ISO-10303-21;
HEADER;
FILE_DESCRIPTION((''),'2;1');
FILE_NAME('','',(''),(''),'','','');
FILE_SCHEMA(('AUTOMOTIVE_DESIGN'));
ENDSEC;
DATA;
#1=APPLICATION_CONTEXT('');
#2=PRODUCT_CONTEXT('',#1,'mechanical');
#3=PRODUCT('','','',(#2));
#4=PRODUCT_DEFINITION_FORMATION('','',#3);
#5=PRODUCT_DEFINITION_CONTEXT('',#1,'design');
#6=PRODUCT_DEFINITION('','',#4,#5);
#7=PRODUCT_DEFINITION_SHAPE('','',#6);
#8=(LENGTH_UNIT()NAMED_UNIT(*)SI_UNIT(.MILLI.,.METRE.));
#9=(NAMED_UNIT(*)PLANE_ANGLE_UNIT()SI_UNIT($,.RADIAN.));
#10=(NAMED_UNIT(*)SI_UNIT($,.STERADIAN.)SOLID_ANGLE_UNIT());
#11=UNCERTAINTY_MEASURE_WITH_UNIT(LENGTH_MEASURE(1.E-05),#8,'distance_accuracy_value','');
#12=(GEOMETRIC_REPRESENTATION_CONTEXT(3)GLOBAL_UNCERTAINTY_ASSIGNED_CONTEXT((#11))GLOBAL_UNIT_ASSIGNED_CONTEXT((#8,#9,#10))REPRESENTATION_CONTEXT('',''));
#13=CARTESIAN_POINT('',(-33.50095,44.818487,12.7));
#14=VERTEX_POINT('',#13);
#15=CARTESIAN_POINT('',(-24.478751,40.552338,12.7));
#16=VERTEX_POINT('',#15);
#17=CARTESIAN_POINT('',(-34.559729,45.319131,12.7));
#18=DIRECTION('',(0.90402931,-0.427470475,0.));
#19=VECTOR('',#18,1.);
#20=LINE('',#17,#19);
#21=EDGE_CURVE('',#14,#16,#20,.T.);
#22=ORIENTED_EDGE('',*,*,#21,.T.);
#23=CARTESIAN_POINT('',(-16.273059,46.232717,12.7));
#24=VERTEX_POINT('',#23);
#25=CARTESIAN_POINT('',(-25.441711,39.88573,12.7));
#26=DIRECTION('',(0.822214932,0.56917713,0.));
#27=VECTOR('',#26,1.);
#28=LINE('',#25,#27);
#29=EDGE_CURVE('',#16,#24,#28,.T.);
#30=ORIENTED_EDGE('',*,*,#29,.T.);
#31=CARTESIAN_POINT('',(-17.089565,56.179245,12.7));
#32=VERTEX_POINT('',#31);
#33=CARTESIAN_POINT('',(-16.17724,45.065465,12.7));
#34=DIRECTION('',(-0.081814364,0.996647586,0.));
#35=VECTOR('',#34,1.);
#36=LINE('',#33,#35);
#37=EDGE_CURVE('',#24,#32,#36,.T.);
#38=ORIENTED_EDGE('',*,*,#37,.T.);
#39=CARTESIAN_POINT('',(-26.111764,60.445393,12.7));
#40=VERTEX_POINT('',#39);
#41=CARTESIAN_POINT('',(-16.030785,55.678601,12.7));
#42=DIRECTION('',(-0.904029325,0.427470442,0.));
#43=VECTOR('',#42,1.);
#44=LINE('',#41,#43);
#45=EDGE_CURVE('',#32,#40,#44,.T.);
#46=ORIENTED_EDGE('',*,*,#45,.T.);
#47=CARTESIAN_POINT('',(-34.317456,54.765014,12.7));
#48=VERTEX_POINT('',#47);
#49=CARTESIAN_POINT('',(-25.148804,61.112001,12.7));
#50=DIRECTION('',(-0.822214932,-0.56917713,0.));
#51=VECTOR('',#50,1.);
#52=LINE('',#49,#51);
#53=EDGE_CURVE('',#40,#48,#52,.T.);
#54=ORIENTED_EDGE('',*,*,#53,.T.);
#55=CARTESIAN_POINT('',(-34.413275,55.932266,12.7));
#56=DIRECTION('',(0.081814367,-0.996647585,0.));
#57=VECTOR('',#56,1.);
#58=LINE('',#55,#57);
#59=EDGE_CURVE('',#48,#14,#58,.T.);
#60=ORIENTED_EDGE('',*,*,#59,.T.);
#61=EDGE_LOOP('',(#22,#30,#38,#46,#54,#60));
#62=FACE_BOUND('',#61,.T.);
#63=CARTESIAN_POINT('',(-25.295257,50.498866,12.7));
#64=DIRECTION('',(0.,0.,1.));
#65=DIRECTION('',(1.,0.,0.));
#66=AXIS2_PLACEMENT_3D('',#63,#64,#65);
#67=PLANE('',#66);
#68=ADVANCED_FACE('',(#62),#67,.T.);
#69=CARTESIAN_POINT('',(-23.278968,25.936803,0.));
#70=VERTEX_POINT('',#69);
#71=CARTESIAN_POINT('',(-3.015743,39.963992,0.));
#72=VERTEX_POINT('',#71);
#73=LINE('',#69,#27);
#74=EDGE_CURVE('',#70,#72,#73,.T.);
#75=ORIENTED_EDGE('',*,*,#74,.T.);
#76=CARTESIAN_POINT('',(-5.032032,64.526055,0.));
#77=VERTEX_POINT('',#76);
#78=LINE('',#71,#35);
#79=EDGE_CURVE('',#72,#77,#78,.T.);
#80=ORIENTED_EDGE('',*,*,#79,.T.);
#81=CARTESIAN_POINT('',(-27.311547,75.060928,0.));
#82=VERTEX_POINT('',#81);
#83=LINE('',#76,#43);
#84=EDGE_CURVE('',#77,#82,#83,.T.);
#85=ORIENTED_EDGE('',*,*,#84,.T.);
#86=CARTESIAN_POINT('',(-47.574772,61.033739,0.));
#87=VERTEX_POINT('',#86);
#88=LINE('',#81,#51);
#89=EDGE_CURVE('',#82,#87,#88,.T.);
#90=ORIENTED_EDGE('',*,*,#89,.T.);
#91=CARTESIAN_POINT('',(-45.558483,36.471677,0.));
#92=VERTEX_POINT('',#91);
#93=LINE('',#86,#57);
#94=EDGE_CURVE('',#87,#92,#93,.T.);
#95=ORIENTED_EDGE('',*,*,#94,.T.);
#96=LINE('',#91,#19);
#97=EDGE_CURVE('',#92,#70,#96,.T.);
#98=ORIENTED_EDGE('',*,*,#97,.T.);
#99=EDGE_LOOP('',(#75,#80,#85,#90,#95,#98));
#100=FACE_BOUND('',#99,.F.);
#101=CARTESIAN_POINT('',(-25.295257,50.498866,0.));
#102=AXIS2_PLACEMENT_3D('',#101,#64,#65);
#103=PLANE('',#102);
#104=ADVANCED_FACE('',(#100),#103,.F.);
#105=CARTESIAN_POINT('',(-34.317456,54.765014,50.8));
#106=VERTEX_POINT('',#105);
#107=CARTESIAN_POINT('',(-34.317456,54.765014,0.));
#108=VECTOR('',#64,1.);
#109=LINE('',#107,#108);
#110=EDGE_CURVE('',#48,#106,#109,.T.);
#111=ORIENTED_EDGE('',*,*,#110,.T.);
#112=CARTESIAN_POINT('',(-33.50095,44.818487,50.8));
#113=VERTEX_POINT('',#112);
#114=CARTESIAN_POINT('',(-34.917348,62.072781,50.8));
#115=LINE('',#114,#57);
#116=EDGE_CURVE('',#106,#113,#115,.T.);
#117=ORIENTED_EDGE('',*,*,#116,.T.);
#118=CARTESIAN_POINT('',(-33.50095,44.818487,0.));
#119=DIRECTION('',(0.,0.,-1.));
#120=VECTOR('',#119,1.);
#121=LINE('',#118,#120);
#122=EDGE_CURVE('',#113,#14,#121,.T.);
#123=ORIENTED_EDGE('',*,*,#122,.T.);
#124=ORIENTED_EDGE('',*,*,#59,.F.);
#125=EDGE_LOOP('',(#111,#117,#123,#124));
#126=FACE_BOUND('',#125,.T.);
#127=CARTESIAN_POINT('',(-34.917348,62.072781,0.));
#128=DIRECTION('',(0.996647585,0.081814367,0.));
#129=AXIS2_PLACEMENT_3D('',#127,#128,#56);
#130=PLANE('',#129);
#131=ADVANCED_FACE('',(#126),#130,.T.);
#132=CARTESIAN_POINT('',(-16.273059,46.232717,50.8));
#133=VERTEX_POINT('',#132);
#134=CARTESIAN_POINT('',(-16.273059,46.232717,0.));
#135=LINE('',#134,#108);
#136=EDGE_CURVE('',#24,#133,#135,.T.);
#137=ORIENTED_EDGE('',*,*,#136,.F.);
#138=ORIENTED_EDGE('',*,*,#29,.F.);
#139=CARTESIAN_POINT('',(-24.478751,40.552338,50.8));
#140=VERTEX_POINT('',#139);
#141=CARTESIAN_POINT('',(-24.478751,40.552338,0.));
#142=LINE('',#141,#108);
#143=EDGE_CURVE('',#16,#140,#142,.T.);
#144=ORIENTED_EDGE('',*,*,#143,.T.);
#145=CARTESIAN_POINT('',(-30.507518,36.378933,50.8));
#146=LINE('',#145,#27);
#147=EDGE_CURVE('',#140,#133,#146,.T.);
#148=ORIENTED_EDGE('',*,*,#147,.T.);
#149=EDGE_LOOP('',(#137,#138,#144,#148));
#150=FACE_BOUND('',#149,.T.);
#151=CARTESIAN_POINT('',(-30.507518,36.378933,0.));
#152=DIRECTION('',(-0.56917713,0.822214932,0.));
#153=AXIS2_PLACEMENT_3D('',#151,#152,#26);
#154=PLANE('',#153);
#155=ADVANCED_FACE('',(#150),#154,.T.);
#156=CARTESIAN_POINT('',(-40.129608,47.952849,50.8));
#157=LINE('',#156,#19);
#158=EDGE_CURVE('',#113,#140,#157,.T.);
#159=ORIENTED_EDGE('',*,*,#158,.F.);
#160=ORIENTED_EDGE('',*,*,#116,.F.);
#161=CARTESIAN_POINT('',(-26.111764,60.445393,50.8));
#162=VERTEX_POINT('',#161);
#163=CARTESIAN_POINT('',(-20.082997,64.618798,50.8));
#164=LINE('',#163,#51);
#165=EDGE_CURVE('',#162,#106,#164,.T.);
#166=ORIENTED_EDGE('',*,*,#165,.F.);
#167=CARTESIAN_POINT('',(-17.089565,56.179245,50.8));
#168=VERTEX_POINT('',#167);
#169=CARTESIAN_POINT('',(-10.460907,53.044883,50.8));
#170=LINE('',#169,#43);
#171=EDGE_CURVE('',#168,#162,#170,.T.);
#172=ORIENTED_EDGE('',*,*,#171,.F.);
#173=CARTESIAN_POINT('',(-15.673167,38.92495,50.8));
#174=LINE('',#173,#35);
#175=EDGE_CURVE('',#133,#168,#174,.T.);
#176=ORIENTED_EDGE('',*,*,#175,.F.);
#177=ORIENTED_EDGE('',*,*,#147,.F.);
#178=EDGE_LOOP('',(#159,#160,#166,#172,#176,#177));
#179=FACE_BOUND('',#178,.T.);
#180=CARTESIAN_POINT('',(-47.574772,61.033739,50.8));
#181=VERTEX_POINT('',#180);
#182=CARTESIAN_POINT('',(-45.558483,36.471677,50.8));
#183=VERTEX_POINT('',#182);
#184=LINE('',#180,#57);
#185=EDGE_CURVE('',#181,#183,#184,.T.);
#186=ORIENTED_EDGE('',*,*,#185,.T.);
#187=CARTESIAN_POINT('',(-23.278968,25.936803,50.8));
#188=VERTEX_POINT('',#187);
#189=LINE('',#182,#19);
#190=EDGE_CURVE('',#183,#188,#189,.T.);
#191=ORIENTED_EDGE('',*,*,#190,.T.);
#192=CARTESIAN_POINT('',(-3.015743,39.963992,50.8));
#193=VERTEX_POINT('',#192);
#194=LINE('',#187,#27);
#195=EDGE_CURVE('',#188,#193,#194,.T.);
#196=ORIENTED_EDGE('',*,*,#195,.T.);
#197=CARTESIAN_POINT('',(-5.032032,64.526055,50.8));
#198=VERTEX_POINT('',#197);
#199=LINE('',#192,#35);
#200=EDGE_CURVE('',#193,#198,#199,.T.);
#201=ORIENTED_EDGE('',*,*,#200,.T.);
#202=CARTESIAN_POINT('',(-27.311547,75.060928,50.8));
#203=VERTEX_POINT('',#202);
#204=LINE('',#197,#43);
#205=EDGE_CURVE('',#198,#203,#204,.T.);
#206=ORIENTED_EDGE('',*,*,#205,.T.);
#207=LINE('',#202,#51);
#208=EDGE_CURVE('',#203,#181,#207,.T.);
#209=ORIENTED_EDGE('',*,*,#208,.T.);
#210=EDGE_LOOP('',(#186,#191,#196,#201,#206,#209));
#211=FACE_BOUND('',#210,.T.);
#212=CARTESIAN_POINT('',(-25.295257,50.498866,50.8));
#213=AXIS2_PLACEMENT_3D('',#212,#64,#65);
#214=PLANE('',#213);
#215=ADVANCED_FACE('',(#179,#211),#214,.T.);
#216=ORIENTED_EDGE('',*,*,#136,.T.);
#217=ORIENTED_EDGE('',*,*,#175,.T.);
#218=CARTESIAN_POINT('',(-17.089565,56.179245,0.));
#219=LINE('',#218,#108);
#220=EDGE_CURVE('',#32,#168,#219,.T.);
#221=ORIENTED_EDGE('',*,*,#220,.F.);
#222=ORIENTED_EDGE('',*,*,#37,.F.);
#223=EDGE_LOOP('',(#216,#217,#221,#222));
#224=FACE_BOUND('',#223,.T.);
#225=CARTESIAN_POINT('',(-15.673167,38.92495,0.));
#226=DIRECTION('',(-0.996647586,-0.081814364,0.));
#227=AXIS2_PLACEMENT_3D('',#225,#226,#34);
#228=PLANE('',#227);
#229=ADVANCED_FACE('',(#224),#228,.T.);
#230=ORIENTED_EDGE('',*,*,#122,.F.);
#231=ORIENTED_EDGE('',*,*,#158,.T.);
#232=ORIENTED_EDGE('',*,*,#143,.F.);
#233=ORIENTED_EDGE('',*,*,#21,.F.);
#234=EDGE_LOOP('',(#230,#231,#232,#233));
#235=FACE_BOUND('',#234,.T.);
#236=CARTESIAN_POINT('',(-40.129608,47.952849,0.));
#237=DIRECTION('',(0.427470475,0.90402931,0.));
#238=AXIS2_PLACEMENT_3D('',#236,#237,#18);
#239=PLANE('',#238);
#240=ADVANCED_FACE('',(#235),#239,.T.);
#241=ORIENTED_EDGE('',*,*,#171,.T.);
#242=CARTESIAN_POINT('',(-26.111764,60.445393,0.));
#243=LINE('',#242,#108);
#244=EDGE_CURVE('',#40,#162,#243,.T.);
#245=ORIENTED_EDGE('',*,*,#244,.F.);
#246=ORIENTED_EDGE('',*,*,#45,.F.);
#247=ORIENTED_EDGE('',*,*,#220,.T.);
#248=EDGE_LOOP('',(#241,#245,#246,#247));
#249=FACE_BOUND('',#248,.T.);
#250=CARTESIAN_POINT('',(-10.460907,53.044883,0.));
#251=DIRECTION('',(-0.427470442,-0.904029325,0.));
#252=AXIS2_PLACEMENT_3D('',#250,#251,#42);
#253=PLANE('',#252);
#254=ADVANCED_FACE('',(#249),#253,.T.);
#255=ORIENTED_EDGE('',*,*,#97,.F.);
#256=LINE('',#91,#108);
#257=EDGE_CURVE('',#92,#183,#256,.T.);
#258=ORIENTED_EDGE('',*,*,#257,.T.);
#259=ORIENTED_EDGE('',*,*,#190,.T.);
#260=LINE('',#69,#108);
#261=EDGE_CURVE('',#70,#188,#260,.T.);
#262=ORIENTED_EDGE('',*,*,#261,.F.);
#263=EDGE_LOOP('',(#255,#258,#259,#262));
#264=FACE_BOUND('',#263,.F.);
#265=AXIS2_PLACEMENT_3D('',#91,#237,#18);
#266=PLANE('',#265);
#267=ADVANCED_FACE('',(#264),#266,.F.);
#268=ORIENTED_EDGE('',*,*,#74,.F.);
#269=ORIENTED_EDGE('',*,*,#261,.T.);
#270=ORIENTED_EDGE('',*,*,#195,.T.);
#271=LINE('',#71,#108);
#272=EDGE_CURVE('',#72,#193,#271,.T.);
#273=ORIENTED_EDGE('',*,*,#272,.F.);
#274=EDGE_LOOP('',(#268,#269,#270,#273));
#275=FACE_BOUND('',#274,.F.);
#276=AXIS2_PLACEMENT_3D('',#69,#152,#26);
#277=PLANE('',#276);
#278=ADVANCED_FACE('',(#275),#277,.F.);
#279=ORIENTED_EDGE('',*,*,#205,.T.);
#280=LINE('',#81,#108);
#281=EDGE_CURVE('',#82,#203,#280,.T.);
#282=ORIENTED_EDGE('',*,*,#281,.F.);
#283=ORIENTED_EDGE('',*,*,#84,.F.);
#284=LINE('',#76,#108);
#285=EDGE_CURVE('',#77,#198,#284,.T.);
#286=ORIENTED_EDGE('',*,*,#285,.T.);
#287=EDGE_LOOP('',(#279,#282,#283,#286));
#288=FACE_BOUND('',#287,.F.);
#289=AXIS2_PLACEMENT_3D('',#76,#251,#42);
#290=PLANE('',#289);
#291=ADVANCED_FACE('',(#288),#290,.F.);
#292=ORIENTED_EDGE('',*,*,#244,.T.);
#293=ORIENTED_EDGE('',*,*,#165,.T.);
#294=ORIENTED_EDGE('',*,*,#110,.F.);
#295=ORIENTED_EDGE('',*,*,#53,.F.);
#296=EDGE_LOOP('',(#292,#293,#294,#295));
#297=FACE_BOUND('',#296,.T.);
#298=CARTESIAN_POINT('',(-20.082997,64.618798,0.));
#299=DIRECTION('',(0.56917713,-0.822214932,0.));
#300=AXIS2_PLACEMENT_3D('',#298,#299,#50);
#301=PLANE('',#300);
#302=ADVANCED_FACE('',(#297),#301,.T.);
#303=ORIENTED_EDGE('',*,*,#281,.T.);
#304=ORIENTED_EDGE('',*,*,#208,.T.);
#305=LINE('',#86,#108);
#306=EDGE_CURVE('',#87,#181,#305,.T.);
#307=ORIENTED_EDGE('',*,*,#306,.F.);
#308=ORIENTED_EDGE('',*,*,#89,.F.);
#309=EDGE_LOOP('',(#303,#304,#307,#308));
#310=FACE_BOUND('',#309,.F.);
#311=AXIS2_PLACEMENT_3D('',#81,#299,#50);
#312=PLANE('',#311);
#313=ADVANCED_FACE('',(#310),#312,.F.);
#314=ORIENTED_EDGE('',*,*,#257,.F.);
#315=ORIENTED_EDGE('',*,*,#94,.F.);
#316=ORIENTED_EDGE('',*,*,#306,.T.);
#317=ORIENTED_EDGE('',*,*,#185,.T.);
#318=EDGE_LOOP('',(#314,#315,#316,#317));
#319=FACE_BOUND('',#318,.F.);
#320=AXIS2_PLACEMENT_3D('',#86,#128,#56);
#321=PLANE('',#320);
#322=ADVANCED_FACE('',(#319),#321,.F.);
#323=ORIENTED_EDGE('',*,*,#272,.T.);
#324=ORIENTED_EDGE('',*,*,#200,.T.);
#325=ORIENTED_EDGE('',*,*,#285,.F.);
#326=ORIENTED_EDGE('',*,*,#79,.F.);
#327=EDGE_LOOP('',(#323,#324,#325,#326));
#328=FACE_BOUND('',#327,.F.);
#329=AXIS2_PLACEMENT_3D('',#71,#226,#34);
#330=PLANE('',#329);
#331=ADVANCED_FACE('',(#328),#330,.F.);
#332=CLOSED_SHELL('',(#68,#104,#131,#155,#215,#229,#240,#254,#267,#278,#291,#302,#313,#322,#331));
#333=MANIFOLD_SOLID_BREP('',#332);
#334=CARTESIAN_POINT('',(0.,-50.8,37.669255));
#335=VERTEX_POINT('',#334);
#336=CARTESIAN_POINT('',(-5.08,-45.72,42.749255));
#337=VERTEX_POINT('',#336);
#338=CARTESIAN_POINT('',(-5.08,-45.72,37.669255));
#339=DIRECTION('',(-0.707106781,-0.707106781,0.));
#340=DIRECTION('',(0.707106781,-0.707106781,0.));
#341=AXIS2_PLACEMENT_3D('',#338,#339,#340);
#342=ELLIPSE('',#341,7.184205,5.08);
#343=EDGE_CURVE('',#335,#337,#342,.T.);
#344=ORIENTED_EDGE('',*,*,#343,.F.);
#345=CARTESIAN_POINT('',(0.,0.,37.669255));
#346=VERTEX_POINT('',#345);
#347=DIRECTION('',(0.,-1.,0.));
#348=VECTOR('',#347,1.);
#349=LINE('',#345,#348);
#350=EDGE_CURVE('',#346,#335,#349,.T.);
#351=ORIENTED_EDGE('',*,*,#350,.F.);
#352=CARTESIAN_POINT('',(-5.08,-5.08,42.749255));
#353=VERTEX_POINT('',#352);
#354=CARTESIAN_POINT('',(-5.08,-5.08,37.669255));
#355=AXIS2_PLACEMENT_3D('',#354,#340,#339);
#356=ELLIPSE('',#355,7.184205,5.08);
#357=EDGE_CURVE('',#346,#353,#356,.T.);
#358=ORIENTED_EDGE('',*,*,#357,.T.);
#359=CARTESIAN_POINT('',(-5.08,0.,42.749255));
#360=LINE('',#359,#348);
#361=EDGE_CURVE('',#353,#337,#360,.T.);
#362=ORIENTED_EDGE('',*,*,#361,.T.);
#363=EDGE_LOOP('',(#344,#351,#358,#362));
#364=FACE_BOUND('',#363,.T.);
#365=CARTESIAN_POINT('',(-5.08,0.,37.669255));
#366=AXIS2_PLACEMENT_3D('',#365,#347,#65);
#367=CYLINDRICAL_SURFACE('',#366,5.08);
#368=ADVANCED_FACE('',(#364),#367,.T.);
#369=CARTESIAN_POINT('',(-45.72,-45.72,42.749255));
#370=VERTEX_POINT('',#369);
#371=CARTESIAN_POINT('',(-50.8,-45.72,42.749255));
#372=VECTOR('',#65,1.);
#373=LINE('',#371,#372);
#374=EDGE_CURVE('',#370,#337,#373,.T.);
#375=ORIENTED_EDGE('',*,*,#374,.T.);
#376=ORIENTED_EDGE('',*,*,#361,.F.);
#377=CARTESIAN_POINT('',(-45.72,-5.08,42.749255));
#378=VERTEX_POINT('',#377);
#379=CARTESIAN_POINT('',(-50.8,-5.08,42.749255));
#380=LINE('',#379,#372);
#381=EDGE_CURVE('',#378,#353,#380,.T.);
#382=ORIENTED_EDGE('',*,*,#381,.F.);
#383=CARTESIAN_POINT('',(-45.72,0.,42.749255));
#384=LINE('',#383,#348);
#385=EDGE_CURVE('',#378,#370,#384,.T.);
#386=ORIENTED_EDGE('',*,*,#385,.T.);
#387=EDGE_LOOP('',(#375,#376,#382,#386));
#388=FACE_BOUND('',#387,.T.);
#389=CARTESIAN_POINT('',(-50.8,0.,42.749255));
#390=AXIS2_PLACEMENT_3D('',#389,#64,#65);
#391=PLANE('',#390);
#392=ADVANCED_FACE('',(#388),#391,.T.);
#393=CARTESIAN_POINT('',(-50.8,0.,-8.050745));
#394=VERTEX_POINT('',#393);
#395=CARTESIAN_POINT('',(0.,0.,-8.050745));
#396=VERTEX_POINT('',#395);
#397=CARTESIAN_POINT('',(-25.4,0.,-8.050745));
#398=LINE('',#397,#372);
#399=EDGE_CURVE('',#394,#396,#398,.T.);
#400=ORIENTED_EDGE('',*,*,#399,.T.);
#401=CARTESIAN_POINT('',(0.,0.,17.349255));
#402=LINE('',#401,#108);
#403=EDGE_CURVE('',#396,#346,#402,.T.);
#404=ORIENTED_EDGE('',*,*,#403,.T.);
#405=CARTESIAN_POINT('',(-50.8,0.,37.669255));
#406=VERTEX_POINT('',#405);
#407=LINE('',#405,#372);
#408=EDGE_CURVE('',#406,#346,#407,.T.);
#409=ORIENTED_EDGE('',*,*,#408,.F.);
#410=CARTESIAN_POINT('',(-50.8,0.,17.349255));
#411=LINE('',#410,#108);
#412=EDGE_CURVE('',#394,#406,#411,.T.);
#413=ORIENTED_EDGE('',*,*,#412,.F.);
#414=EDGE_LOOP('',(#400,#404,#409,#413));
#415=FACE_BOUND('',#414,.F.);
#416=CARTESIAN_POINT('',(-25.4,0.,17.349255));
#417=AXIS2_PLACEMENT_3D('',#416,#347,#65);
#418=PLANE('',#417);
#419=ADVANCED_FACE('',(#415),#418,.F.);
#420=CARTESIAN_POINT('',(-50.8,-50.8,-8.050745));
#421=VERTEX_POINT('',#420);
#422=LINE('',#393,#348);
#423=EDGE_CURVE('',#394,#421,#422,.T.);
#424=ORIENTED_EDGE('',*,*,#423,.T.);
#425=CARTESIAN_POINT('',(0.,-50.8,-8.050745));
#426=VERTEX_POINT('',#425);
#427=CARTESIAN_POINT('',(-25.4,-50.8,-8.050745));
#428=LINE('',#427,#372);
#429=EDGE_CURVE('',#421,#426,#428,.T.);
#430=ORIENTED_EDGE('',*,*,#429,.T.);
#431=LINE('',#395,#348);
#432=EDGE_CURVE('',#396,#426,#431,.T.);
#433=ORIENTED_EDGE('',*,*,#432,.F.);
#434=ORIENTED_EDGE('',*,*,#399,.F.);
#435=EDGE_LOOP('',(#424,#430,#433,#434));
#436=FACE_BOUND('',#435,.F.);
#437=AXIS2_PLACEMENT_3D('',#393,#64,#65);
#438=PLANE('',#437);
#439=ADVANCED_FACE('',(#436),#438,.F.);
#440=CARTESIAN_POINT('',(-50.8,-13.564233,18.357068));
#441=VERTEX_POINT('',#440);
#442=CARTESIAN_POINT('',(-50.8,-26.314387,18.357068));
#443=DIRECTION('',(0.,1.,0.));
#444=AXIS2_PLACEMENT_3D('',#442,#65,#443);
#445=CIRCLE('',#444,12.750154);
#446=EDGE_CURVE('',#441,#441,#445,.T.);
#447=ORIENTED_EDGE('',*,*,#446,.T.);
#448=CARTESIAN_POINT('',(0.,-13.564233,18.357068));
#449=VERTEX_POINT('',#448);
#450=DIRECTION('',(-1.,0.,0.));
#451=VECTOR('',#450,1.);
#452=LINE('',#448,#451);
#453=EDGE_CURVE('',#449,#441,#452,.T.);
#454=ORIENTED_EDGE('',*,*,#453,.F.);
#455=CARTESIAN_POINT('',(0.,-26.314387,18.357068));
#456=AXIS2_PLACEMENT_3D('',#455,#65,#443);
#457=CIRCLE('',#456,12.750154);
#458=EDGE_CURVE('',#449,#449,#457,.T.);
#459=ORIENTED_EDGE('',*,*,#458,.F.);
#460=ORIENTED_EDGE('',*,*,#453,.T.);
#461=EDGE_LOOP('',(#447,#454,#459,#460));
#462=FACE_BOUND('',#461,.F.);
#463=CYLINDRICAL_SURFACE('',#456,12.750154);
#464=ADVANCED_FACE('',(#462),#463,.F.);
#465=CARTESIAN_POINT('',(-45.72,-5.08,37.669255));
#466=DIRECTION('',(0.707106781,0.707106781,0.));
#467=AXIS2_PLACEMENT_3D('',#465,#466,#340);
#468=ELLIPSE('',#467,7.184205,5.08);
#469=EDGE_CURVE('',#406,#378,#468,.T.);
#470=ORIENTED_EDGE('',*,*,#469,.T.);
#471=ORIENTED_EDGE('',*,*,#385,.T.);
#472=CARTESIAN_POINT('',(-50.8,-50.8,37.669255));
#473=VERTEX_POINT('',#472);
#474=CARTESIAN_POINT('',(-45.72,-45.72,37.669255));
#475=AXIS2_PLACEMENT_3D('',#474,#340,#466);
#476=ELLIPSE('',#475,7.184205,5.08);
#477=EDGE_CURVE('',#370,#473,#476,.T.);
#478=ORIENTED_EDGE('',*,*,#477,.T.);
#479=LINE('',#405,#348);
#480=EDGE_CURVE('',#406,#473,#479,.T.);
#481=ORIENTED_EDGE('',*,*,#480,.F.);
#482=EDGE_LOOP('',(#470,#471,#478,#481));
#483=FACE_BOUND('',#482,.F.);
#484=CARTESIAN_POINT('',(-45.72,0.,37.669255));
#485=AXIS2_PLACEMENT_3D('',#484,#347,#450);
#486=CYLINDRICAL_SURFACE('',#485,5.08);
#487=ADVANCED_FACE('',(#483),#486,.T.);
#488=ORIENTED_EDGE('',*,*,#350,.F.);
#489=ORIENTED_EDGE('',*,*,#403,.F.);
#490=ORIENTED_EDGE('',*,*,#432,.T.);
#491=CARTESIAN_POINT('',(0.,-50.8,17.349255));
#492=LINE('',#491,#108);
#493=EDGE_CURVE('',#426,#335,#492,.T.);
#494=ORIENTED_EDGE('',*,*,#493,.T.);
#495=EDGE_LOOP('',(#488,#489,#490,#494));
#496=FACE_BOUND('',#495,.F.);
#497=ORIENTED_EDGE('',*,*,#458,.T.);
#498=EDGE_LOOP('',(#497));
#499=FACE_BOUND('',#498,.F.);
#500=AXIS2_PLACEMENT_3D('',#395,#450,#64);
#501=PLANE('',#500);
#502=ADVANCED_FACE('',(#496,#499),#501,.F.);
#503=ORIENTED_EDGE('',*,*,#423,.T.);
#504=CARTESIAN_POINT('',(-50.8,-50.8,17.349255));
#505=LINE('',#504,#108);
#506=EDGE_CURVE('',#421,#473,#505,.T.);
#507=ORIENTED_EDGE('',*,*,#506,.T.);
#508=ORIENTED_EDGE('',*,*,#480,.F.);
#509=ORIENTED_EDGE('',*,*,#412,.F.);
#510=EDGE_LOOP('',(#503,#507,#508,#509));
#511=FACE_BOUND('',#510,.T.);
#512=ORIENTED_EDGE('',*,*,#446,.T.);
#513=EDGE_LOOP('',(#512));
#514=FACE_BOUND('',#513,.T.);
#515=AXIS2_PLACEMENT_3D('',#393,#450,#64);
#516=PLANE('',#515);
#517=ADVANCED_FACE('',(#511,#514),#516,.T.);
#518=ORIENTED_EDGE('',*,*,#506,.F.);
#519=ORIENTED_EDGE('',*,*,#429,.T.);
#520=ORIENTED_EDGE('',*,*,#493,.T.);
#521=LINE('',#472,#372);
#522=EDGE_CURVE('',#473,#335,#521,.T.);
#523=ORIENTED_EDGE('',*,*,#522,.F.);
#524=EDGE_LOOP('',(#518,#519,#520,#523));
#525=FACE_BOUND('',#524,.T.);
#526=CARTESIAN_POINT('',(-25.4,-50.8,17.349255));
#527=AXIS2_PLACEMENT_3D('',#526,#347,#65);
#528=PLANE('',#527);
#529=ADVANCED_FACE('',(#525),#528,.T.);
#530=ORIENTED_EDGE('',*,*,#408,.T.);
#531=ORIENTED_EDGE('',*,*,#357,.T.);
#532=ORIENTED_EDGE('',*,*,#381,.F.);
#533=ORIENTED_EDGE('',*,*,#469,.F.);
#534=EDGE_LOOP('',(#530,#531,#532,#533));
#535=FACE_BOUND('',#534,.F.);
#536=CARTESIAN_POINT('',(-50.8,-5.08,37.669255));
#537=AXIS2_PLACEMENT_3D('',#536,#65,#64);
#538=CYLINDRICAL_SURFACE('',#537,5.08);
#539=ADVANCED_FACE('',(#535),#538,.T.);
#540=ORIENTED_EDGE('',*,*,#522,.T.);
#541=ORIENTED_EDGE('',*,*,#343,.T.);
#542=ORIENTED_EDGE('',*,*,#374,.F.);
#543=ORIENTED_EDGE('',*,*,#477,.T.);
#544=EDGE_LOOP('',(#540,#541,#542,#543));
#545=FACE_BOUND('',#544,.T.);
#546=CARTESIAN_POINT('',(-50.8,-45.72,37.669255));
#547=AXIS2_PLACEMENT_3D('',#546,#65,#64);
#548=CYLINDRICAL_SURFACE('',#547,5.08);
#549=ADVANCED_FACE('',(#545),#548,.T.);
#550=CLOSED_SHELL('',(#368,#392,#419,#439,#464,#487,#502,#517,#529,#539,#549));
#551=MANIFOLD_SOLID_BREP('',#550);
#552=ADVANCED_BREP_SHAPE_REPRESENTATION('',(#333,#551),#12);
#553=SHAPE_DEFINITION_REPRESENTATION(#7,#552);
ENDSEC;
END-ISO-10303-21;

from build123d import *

# Parameters (mm, degrees)
F0_W     = 50.8
F0_H     = 50.8
F1_DEPTH = 50.8
F2_R     = 5.08
F3_R     = 12.750154
F4_DEPTH = 50.801
F6_DEPTH = 50.8
F7_T     = -12.7


with BuildPart() as f1:
    # F0 (on Front) → F1 (new body)
    with BuildSketch(Plane.XZ):
        with Locations((-25.4, 17.349255)):
            Rectangle(F0_W, F0_H)
    extrude(amount=F1_DEPTH)

    # F2
    f2_edges = [f1.edges().sort_by_distance(p)[0] for p in [
        (0, -25.4, 42.749255),
        (-25.4, -50.8, 42.749255),
        (-50.8, -25.4, 42.749255),
        (-25.4, 0, 42.749255),
    ]]
    fillet(f2_edges, radius=F2_R)

    # F3 (on face) → F4 (cut, through all)
    with BuildSketch(Plane.YZ):
        with Locations((-26.314387, 18.357068)):
            Circle(F3_R)
    extrude(amount=-F4_DEPTH, mode=Mode.SUBTRACT)


with BuildPart() as f6:
    # F5 (on Top) → F6 (new body)
    with BuildSketch(Plane.XY):
        Polygon((-45.558483, 36.471677), (-23.278968, 25.936803), (-3.015743, 39.963992), (-5.032032, 64.526055), (-27.311547, 75.060928), (-47.574772, 61.033739), align=None)
    extrude(amount=F6_DEPTH)

    # F7
    f7_openings = [f6.faces().sort_by_distance(p)[0] for p in [
        (-25.295258, 50.498866, 50.8),
    ]]
    offset(amount=F7_T, openings=f7_openings)


solid = Compound([f1.part, f6.part])
